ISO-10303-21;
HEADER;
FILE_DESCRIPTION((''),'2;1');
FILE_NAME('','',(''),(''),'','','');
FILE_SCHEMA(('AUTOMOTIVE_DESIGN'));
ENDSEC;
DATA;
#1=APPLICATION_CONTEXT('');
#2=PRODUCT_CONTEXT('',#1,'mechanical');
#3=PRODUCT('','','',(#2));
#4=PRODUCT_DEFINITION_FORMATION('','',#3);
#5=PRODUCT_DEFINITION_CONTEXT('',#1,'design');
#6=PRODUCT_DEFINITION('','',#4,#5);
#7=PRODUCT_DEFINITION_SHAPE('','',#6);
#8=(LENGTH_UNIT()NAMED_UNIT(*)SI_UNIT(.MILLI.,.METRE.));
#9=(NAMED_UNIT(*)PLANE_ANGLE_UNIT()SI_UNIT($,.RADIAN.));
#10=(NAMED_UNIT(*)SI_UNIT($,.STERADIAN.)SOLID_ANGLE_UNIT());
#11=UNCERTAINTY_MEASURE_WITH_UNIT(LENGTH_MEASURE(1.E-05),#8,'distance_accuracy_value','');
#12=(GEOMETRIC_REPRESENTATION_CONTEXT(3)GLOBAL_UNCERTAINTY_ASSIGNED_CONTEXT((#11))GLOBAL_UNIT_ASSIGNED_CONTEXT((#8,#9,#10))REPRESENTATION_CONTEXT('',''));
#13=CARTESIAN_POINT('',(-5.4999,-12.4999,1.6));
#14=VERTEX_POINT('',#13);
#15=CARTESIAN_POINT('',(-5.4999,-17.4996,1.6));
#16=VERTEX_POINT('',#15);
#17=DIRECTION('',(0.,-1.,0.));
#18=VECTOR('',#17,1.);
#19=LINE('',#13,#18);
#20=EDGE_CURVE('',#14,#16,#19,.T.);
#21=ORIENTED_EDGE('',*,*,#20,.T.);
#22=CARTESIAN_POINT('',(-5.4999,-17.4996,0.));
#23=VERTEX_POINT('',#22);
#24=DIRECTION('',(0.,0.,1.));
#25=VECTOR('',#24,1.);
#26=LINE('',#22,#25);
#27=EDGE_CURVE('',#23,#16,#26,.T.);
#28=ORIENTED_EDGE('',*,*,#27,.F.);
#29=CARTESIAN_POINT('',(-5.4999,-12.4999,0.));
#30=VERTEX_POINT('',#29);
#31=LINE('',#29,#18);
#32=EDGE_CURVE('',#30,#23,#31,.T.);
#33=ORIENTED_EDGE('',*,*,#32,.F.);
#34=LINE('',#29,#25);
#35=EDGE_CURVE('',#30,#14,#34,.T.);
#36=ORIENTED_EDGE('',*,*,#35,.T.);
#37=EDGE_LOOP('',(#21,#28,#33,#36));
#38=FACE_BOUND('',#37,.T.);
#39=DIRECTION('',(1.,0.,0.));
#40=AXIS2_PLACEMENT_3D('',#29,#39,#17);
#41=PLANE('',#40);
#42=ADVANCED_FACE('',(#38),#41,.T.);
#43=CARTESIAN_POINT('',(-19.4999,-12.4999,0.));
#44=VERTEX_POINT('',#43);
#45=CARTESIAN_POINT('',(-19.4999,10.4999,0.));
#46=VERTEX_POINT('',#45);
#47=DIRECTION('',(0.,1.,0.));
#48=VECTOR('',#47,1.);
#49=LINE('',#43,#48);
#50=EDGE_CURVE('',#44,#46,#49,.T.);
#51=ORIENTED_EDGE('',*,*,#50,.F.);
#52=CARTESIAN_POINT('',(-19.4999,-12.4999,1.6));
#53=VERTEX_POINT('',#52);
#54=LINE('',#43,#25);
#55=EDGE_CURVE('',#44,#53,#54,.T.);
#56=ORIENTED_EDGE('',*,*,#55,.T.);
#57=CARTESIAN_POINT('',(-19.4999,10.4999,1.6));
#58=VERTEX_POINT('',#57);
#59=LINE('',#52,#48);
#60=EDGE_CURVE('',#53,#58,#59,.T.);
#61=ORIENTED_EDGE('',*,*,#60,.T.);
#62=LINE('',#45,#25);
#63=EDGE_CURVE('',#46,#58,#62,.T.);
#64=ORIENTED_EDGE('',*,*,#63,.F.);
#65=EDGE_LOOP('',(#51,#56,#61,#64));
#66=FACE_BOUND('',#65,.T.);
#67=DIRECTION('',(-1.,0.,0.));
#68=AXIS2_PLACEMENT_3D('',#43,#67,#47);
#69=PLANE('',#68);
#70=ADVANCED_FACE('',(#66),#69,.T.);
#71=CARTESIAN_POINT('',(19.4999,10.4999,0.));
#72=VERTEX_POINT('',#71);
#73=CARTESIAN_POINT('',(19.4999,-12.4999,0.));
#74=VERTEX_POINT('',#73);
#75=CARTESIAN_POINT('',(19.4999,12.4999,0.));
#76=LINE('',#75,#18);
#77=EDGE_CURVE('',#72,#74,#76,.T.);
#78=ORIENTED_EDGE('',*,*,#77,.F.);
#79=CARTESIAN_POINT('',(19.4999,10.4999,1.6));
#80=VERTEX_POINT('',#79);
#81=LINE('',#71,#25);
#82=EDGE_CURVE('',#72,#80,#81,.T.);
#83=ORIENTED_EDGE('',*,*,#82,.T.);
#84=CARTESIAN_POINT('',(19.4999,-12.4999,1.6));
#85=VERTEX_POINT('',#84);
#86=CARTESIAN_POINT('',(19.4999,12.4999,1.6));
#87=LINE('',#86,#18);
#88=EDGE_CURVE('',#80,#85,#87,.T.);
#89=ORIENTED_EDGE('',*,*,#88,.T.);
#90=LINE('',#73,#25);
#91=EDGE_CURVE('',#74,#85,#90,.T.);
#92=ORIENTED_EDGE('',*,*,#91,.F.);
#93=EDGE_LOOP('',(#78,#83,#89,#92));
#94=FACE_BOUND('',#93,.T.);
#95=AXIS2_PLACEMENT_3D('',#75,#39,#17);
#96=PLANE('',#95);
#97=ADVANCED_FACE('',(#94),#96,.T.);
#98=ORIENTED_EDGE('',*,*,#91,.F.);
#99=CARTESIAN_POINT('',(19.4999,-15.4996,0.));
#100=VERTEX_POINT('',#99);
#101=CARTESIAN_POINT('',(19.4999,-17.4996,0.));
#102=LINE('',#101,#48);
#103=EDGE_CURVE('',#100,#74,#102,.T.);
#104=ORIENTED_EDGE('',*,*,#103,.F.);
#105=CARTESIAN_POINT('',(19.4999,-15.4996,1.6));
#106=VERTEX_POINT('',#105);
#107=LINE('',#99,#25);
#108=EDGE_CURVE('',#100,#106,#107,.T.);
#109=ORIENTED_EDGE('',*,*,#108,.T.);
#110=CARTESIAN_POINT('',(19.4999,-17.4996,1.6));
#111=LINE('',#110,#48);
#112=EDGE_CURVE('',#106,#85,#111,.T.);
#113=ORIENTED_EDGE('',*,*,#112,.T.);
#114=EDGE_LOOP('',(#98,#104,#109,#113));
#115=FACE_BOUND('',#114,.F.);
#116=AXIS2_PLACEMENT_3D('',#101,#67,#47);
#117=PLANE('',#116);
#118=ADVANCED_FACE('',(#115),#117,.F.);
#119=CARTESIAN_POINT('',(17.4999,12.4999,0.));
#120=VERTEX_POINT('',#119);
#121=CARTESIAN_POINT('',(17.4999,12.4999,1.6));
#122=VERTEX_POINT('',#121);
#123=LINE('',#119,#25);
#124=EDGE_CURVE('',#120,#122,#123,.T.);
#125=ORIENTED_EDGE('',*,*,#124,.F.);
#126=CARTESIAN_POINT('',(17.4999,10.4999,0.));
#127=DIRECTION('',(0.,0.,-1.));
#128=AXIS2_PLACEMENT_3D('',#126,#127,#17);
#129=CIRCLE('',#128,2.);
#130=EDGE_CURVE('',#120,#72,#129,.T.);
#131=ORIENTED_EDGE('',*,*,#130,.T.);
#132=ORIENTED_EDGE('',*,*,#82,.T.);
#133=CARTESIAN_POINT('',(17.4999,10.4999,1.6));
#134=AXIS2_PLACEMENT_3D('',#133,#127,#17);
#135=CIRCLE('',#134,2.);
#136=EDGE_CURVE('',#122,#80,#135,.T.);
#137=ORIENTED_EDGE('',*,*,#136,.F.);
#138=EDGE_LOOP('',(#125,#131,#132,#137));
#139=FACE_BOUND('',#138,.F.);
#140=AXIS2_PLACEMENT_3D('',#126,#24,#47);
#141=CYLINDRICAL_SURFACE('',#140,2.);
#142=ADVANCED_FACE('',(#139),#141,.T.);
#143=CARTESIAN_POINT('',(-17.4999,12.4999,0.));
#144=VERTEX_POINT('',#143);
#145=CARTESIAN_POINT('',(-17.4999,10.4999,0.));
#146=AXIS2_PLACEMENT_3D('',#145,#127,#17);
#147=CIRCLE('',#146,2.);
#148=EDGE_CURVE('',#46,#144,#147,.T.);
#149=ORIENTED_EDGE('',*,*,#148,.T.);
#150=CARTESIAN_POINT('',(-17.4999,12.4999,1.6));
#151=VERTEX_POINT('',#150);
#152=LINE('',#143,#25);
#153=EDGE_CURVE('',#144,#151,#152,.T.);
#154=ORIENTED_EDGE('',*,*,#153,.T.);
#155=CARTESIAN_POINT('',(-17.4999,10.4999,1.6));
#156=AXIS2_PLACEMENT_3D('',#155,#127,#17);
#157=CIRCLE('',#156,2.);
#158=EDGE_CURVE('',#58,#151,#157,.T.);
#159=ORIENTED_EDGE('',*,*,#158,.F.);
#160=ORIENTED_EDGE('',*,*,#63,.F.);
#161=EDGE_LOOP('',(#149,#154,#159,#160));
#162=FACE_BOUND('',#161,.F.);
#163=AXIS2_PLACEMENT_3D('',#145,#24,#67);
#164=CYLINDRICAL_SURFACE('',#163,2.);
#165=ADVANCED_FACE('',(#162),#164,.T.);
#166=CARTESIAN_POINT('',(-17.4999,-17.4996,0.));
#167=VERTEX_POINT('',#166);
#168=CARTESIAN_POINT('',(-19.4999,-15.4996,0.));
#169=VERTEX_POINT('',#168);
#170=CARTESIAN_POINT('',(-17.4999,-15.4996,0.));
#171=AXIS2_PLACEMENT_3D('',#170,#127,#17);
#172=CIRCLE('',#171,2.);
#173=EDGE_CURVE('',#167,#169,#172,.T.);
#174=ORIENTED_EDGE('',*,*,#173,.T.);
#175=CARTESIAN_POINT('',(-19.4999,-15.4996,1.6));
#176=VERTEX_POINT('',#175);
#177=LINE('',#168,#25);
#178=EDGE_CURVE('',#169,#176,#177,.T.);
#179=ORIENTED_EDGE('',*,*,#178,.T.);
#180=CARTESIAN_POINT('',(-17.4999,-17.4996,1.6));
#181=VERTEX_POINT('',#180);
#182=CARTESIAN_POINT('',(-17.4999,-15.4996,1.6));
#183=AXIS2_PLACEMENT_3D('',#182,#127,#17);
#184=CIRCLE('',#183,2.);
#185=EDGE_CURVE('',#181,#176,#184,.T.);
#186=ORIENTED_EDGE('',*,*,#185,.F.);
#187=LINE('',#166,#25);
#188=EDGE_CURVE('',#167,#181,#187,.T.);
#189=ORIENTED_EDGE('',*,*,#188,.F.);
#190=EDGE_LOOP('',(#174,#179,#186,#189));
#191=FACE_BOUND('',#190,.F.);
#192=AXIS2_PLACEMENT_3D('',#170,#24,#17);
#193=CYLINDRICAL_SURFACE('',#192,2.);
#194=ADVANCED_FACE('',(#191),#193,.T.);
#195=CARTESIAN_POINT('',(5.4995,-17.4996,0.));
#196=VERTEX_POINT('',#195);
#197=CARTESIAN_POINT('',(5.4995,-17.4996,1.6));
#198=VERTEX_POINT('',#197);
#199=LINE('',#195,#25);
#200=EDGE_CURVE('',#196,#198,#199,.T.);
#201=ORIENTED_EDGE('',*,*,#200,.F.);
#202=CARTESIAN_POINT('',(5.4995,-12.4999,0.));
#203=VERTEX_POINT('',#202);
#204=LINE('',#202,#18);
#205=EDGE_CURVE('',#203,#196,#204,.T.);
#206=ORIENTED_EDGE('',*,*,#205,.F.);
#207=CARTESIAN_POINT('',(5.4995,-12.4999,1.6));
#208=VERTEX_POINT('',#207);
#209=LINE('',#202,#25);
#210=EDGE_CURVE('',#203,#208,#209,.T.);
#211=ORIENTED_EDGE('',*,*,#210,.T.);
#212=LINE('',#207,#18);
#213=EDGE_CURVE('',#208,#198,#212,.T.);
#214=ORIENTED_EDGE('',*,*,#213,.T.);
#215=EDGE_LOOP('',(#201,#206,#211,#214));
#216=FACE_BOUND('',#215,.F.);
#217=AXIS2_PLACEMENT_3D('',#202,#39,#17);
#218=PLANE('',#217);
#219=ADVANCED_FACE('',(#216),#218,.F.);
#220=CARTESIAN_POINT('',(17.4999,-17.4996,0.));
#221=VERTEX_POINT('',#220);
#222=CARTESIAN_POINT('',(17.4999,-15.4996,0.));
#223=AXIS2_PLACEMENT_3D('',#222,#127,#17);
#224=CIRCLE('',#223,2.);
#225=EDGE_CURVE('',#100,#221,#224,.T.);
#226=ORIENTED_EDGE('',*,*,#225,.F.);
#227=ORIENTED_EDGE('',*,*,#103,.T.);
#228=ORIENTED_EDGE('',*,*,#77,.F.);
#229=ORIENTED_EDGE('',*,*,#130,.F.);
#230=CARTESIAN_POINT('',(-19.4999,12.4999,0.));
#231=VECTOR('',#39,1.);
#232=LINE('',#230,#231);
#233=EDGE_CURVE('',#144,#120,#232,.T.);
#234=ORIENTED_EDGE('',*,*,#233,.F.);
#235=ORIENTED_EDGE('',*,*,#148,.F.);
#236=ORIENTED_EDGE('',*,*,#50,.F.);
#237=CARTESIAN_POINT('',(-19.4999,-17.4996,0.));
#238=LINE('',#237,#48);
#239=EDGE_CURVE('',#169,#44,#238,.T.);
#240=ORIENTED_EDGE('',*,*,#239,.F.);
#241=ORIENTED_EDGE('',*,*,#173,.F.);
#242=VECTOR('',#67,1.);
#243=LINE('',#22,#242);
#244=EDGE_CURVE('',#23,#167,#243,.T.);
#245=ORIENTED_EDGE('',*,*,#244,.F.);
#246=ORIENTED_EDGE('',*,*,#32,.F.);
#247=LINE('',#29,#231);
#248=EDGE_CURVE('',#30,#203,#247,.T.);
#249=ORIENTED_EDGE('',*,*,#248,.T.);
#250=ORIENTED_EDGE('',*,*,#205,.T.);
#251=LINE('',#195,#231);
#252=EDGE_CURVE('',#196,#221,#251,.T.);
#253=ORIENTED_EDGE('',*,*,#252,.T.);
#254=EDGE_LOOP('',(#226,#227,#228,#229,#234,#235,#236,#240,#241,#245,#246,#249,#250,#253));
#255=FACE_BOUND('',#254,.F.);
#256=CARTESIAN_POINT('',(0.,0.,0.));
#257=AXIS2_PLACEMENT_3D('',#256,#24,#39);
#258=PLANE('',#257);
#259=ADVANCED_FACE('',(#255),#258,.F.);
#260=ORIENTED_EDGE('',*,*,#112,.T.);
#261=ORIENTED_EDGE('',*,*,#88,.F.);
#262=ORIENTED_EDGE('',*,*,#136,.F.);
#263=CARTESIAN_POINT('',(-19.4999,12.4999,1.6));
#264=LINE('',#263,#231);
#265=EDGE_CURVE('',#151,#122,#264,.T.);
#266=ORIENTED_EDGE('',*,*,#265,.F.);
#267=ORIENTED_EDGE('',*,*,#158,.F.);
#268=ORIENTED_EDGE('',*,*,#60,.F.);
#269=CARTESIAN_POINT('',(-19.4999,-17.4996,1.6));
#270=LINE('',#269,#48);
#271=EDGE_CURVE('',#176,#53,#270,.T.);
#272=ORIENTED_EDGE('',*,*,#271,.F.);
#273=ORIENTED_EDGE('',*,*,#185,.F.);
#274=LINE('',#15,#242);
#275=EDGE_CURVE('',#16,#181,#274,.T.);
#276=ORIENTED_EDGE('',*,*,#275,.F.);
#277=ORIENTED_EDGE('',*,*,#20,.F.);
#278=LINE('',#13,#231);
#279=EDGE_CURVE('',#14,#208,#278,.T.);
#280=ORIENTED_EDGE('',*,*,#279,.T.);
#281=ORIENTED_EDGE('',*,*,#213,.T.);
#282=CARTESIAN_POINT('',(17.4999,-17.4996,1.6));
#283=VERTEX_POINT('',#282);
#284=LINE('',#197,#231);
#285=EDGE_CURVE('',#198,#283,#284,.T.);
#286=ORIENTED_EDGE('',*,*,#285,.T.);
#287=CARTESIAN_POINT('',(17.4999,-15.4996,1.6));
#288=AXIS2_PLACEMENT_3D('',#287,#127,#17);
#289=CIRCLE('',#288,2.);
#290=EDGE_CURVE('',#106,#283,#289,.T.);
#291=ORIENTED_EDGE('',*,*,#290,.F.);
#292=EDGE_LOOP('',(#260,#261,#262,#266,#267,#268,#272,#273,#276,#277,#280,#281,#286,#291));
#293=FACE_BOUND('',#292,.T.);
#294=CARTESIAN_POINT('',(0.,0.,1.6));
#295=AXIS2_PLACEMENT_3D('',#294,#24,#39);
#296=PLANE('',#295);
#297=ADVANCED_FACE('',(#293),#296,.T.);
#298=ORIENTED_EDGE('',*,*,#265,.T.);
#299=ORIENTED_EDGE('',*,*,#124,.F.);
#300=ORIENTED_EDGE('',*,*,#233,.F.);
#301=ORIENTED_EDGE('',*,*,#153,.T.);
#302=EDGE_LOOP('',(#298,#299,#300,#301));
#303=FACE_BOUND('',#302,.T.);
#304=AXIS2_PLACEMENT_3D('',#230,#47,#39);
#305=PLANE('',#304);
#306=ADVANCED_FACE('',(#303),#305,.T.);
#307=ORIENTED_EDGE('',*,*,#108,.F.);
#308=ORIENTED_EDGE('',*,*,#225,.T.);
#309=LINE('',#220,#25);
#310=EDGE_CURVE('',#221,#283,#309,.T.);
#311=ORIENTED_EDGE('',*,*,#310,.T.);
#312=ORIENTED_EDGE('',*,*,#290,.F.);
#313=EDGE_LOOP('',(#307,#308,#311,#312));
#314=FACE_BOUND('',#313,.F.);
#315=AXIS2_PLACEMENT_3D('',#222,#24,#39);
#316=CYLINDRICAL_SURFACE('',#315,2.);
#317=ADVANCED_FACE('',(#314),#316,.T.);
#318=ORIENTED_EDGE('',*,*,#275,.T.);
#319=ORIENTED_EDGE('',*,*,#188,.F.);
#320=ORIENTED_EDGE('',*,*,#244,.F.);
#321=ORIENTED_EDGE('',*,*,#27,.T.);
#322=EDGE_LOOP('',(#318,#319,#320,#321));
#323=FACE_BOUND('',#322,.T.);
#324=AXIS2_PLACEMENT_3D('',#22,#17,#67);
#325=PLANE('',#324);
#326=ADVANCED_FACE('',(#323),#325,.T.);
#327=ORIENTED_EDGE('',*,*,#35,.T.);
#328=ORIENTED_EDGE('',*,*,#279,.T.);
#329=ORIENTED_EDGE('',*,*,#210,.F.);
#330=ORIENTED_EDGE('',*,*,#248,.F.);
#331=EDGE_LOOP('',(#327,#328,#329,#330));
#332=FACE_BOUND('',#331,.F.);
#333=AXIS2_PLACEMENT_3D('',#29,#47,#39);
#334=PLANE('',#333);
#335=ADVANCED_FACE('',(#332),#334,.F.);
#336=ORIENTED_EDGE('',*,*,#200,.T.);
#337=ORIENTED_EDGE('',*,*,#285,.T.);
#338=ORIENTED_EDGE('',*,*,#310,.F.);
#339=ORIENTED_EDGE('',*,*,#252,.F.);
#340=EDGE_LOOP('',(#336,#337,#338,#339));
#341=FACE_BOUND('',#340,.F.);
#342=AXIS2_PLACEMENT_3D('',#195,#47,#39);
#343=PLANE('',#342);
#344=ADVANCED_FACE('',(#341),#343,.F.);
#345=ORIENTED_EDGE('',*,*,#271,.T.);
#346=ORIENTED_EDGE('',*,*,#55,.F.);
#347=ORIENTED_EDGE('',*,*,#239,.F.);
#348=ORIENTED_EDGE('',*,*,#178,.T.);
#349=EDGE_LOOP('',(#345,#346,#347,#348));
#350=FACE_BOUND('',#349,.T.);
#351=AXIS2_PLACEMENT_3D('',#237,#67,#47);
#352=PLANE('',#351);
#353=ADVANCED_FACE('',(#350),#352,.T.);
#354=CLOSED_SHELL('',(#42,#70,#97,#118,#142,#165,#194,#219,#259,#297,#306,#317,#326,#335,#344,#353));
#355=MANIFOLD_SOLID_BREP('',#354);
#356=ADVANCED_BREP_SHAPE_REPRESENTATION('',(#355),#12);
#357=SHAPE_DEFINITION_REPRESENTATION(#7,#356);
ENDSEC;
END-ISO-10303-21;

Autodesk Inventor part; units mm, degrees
ref_plane "YZ Plane" through (0, 0, 0) normal (1, 0, 0) x (0, 1, 0)
ref_plane "XZ Plane" through (0, 0, 0) normal (0, 1, 0) x (-1, 0, 0)
ref_plane "XY Plane" through (0, 0, 0) normal (0, 0, 1) x (1, 0, 0)
sketch "Sketch2" plane through (0, 0, 0) normal (0, 0, 1) x (1, 0, 0)
  line L0 (-19.4999, -12.4999) -> (-19.4999, 12.4999)
  line L1 (-19.4999, 12.4999) -> (19.4999, 12.4999)
  line L2 (19.4999, 12.4999) -> (19.4999, -12.4999)
  line L3 (19.4999, -12.4999) -> (-19.4999, 12.4999) construction
  line L4 (-19.4999, -12.4999) -> (19.4999, 12.4999) construction
  line L5 (-5.4999, -12.4999) -> (-5.4999, -17.4996)
  line L6 (-5.4999, -17.4996) -> (-19.4999, -17.4996)
  line L7 (-19.4999, -17.4996) -> (-19.4999, -12.4999)
  line L8 (5.4995, -12.4999) -> (5.4995, -17.4996)
  line L9 (5.4995, -17.4996) -> (19.4999, -17.4996)
  line L10 (19.4999, -17.4996) -> (19.4999, -12.4999)
  line L11 (-5.4999, -12.4999) -> (5.4995, -12.4999)
  point P0 (0, 0)
extrude "Extrusion2" add sketch "Sketch2" along normal blind 1.6
fillet "Fillet3" radius 2 4 edges at (19.4999, 12.4999, 0.8) (-19.4999, 12.4999, 0.8) (19.4999, -17.4996, 0.8) (-19.4999, -17.4996, 0.8)
properties part number "pcb_balun_top"
